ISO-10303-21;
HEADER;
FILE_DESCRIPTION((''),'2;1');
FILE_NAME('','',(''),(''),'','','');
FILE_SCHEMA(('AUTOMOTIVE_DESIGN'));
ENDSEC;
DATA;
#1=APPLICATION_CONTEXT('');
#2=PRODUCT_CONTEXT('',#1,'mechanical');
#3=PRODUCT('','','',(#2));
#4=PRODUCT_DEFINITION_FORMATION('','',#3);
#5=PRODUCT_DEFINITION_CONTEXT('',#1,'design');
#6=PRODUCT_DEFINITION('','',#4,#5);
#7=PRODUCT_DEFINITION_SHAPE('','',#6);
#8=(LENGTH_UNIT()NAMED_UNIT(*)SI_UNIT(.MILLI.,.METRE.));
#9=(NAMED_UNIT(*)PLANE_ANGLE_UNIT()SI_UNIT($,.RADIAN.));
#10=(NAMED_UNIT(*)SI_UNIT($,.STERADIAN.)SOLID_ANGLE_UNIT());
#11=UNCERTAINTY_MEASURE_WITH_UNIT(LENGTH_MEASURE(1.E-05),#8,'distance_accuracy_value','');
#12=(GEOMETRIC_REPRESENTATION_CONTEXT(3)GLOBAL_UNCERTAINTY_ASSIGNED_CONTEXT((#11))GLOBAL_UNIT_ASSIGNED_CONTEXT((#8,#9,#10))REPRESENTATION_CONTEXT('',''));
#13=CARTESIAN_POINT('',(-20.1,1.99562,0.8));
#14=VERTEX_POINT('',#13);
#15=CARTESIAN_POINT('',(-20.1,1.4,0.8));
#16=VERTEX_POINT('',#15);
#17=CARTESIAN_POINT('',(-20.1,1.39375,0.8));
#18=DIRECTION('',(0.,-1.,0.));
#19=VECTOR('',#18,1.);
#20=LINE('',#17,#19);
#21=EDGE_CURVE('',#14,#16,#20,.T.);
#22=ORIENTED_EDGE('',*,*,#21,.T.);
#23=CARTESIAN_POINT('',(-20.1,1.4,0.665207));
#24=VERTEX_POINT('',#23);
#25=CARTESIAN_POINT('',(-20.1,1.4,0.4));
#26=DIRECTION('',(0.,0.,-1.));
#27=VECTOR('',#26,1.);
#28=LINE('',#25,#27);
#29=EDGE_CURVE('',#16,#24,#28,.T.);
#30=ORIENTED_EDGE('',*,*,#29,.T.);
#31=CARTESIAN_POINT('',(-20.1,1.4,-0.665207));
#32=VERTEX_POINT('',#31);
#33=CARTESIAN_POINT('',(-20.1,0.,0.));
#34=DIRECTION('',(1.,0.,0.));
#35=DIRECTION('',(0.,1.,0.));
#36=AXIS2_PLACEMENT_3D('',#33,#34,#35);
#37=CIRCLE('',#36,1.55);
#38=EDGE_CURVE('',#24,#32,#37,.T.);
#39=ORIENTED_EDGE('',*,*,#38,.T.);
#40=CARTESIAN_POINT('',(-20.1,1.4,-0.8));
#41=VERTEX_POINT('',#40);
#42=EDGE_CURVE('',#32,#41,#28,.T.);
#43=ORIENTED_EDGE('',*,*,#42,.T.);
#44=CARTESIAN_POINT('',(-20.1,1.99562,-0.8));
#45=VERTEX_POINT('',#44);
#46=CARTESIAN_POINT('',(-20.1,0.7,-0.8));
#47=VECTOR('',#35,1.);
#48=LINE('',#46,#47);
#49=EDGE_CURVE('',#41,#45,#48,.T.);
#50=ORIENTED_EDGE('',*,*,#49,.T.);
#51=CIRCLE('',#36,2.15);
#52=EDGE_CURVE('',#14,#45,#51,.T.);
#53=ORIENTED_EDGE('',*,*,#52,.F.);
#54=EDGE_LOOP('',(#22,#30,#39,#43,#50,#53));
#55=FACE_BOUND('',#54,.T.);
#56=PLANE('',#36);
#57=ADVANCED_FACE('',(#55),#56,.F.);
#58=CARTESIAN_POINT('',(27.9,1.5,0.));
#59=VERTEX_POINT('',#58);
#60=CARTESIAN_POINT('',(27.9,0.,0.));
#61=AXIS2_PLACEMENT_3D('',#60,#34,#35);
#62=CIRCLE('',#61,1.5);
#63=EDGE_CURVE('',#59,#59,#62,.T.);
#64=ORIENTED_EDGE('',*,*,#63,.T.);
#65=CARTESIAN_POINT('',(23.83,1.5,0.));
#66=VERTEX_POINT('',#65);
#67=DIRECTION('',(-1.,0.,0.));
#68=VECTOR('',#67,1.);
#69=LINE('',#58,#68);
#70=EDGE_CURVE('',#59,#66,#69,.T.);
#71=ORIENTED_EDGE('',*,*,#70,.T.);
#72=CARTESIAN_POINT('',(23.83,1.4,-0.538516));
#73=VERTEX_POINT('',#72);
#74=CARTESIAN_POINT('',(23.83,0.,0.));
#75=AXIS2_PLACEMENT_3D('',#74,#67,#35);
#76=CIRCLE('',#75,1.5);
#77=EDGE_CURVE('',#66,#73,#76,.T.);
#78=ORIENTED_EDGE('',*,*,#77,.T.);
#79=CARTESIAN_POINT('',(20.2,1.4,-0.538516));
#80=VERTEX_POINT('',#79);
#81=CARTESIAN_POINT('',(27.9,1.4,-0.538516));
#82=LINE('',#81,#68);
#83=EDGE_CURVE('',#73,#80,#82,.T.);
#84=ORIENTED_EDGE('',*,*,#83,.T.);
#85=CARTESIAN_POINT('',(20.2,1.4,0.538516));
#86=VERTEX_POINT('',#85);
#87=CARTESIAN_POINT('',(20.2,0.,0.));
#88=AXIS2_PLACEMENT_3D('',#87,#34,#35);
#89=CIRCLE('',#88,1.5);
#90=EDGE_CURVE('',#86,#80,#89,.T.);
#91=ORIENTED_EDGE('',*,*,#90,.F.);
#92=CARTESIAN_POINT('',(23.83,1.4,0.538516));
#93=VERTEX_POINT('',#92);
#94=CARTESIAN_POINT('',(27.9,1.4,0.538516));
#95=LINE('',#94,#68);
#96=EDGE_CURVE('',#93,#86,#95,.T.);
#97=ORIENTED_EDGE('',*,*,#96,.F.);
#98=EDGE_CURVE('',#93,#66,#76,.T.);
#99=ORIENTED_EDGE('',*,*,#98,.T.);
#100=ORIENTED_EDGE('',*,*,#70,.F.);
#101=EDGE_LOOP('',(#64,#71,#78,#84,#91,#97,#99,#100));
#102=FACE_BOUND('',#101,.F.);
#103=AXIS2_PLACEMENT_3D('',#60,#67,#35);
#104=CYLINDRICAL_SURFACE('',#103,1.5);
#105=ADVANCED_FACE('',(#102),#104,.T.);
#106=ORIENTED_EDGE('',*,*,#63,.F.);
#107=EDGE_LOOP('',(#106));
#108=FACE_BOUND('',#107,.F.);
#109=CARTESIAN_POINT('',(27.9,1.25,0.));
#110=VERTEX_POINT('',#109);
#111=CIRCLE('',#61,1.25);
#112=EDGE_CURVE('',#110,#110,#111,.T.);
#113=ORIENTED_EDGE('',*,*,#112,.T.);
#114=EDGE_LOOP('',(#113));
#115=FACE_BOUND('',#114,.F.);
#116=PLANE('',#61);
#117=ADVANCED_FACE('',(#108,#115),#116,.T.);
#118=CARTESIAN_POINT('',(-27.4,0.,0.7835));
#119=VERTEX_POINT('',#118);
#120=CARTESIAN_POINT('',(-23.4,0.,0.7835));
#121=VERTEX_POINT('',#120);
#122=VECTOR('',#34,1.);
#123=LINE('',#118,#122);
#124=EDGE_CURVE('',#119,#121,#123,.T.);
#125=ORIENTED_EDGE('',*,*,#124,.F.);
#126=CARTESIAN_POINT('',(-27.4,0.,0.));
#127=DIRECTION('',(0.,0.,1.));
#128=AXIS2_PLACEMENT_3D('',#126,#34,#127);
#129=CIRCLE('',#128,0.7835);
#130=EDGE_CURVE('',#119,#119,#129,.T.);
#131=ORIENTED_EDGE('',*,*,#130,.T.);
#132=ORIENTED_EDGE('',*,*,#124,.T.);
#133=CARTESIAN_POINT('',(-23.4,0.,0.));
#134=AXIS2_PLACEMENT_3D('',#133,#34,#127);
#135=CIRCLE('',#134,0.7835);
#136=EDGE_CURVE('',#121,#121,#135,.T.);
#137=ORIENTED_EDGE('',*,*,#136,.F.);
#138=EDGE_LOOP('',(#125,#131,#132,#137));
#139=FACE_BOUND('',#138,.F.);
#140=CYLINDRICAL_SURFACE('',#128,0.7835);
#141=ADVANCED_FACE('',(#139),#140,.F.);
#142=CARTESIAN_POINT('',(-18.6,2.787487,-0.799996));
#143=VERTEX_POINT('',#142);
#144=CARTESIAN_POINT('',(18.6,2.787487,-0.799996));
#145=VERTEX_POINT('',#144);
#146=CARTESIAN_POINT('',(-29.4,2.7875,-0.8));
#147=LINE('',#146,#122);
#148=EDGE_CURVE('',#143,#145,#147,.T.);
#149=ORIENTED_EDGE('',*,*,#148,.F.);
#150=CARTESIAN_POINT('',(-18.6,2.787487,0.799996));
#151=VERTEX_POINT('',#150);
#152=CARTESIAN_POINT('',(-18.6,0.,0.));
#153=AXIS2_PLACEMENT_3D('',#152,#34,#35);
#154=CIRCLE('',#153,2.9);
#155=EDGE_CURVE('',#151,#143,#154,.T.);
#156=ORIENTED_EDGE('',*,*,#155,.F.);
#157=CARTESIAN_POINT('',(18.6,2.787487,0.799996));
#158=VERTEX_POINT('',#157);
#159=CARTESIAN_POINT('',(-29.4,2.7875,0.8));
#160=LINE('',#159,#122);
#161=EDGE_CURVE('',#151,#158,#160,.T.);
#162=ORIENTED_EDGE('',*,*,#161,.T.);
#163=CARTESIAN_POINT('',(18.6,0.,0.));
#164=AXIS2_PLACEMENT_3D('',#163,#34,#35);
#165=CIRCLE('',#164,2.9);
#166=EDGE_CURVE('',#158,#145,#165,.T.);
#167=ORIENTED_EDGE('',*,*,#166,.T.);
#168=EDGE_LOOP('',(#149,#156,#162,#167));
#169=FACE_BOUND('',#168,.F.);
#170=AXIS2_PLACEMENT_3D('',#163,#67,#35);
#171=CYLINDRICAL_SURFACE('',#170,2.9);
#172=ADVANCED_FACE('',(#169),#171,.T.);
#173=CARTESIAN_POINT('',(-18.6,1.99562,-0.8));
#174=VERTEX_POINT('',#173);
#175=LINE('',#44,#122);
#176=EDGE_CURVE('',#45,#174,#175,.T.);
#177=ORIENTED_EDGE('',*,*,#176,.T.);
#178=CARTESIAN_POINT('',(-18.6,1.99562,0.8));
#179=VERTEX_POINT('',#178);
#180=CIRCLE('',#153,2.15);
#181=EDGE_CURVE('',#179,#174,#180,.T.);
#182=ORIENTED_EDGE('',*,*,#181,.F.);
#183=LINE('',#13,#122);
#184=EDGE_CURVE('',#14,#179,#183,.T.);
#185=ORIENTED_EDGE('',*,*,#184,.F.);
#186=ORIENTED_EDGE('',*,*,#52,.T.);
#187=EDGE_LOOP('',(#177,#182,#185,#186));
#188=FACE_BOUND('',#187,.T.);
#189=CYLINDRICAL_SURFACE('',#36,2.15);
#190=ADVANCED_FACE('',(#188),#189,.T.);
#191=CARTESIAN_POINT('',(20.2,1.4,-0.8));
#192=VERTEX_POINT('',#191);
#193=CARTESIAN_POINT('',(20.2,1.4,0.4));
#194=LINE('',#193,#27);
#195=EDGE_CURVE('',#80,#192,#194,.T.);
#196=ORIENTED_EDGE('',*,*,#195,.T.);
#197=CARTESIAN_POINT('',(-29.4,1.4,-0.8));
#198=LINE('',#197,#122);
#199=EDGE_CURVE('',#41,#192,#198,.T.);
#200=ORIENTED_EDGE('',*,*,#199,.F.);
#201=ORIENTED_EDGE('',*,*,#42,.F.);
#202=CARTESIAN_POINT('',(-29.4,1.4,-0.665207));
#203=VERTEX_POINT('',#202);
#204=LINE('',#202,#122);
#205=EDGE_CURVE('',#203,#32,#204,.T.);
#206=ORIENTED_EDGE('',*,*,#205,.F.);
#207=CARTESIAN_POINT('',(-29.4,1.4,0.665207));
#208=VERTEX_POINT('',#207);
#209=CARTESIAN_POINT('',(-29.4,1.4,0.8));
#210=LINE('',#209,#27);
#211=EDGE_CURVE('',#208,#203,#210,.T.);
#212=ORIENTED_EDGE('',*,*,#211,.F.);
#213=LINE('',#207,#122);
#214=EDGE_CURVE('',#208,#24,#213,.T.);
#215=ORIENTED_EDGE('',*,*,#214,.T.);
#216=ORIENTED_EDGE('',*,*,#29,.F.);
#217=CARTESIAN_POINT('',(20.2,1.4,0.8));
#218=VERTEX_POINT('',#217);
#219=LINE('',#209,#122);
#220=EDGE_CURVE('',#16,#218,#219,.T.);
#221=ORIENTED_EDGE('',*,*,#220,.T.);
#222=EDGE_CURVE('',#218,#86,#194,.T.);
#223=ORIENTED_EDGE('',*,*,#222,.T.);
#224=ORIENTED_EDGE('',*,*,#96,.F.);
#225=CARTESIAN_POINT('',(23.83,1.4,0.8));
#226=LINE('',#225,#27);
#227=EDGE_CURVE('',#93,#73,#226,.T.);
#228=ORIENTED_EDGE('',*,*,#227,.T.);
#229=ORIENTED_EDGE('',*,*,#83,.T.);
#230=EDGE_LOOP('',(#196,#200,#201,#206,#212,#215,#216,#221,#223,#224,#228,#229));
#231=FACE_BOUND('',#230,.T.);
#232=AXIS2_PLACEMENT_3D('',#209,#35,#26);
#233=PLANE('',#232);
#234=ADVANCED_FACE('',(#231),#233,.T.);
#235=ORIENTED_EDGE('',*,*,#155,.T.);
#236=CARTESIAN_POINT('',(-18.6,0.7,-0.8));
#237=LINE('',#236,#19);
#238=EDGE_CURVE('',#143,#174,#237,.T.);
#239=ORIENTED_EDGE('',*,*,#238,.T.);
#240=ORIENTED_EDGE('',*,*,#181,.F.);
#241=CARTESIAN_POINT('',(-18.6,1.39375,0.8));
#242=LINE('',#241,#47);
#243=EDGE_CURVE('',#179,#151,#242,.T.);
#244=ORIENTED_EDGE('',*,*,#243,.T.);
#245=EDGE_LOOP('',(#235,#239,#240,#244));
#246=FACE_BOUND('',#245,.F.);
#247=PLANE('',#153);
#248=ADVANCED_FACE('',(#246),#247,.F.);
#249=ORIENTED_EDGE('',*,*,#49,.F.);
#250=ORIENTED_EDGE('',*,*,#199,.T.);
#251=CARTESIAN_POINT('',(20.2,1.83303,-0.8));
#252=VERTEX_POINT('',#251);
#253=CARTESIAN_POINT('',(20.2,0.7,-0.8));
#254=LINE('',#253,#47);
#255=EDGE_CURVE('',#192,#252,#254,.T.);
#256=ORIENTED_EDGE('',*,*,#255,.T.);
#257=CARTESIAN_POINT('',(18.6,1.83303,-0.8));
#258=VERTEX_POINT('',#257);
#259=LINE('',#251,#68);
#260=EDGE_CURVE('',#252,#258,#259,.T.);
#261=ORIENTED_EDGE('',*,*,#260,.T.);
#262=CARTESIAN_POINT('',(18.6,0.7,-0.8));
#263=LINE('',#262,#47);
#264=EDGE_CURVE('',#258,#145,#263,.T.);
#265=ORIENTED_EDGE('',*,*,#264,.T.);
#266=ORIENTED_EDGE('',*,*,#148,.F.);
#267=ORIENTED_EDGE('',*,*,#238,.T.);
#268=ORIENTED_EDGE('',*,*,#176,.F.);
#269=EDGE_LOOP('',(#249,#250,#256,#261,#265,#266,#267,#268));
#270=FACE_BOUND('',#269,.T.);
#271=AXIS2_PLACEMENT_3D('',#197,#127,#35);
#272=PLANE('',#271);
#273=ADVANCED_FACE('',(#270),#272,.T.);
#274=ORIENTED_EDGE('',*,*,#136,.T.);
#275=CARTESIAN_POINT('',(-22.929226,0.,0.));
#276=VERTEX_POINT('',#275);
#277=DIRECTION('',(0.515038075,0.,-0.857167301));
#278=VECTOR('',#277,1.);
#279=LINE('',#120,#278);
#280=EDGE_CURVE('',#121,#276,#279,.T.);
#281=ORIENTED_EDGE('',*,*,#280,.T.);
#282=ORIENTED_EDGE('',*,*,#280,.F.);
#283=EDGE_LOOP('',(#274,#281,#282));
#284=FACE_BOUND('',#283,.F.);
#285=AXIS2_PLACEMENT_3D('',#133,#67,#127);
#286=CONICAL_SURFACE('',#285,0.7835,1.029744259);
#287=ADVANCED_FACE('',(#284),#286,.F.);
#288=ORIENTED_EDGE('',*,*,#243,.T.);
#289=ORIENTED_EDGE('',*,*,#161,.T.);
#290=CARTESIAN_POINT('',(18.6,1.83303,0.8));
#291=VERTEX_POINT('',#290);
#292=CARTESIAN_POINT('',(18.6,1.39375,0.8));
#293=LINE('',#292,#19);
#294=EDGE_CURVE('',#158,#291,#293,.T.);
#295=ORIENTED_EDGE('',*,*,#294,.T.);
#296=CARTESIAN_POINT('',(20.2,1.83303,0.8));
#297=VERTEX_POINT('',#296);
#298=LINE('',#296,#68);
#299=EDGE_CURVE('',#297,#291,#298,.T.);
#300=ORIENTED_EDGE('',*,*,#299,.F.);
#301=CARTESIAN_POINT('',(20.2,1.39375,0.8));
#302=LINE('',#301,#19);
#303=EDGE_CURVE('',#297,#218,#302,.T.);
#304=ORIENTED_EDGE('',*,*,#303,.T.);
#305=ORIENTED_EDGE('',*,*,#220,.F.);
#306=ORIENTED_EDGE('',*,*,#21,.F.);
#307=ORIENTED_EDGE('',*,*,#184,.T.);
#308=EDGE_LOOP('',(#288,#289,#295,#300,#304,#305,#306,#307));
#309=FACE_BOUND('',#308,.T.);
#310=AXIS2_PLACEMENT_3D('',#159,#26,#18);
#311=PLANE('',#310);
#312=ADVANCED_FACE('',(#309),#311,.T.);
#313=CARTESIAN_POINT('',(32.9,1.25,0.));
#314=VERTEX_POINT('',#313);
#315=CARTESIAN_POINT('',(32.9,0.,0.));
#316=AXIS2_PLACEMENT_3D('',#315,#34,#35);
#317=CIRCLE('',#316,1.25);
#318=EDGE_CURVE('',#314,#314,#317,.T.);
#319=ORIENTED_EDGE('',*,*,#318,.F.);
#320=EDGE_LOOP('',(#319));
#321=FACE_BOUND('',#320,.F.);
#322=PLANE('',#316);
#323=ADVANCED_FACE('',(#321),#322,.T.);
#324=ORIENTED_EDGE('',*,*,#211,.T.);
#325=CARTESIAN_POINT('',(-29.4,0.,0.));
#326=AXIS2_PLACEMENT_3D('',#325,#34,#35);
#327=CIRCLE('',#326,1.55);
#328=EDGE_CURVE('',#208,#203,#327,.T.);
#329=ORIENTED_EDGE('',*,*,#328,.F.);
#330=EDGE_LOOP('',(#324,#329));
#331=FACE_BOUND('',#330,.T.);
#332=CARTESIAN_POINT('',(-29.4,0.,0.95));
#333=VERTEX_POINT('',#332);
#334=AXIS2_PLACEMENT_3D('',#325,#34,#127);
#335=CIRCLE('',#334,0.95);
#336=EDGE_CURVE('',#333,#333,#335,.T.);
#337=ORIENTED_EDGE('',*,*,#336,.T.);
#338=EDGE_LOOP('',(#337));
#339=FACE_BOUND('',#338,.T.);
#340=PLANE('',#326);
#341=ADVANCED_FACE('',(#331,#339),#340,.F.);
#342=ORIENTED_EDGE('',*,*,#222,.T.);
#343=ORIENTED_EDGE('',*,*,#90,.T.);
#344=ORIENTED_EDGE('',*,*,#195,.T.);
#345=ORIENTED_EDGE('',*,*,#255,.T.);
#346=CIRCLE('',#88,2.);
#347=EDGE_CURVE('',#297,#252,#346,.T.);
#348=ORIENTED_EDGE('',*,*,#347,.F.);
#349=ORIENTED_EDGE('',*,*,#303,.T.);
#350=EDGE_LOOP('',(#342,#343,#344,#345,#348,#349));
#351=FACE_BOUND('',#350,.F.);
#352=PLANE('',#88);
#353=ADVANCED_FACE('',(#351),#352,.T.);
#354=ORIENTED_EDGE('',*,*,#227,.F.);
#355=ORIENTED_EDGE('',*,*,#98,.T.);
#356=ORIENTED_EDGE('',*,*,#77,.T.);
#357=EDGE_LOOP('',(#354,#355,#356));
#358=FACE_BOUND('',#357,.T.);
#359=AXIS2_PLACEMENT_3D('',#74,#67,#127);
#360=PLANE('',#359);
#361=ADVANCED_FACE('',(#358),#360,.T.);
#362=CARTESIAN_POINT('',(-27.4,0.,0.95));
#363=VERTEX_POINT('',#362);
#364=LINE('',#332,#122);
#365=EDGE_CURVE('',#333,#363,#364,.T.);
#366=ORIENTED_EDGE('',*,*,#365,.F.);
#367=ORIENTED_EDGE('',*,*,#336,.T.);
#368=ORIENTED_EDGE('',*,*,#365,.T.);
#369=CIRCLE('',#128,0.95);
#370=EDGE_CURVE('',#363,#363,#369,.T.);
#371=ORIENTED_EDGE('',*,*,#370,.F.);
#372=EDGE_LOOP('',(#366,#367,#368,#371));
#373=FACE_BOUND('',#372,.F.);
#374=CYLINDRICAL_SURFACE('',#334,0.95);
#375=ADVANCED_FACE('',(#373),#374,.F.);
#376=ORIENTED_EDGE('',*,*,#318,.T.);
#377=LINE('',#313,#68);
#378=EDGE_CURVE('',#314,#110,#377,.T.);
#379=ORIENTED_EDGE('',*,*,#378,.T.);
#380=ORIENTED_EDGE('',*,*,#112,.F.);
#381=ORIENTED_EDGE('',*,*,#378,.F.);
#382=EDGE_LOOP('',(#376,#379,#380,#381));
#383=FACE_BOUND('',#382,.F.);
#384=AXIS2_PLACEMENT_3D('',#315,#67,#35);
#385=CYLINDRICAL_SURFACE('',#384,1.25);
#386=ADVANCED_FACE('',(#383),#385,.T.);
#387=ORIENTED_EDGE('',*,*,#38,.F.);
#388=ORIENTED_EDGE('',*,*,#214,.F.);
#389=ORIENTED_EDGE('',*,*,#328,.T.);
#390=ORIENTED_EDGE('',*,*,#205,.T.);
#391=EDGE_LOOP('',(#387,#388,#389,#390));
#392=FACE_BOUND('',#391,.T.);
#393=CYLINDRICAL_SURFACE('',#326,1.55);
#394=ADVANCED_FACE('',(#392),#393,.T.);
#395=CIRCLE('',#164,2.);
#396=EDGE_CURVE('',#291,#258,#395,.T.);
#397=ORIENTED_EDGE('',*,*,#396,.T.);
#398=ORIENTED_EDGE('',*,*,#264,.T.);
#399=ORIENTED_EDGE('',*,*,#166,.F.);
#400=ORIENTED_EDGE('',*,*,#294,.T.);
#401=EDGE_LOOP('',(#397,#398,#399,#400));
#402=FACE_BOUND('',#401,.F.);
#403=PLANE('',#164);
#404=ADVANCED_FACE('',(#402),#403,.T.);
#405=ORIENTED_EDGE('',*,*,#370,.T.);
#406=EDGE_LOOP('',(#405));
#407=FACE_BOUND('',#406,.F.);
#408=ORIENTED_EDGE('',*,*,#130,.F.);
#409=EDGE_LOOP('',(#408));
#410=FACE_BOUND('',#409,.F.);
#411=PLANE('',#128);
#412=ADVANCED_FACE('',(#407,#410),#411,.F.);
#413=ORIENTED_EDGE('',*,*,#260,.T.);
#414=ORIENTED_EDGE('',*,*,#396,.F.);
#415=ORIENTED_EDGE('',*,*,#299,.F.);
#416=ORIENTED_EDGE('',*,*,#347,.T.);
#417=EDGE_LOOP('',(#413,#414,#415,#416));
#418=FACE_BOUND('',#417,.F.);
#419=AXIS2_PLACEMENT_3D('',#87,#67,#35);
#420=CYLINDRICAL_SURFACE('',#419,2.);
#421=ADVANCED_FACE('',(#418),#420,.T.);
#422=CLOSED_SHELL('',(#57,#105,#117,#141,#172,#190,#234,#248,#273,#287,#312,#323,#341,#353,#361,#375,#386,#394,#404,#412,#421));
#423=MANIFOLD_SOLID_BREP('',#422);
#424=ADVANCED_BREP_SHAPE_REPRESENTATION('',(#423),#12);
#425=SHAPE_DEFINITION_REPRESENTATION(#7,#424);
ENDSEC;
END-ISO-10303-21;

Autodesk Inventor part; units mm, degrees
ref_plane "YZ Plane" through (0, 0, 0) normal (1, 0, 0) x (0, 1, 0)
ref_plane "XZ Plane" through (0, 0, 0) normal (0, 1, 0) x (-1, 0, 0)
ref_plane "XY Plane" through (0, 0, 0) normal (0, 0, 1) x (1, 0, 0)
sketch "Sketch1" plane through (0, 0, 0) normal (0, 0, 1) x (1, 0, 0)
  line L0 (-18.6, 0) -> (18.6, 0)
  line L1 (18.6, 0) -> (18.6, 2.9)
  line L2 (18.6, 2.9) -> (-18.6, 2.9)
  line L3 (-18.6, 2.9) -> (-18.6, 0)
  line L4 (-18.6, 0) -> (-20.1, 0)
  line L5 (-20.1, 0) -> (-20.1, 2.15)
  line L6 (-20.1, 2.15) -> (-18.6, 2.15)
  line L7 (-18.6, 2.15) -> (-18.6, 0)
  line L8 (-20.1, 0) -> (-29.4, 0)
  line L9 (-29.4, 0) -> (-29.4, 1.55)
  line L10 (-29.4, 1.55) -> (-20.1, 1.55)
  line L11 (-20.1, 1.55) -> (-20.1, 0)
  line L12 (18.6, 0) -> (20.2, 0)
  line L13 (20.2, 0) -> (20.2, 2)
  line L14 (20.2, 2) -> (18.6, 2)
  line L15 (18.6, 2) -> (18.6, 0)
  line L16 (20.2, 0) -> (27.9, 0)
  line L17 (27.9, 0) -> (27.9, 1.5)
  line L18 (27.9, 1.5) -> (20.2, 1.5)
  line L19 (20.2, 1.5) -> (20.2, 0)
  line L20 (27.9, 0) -> (32.9, 0)
  line L21 (32.9, 0) -> (32.9, 1.25)
  line L22 (32.9, 1.25) -> (27.9, 1.25)
  line L23 (27.9, 1.25) -> (27.9, 0)
  point P0 (0, 0)
  point P1 (0, 0)
  dimension "d0" = 9.3
  dimension "d1" = 10.8
  dimension "d2" = 48
  dimension "d3" = 3.1
  dimension "d4" = 4.3
  dimension "d5" = 5.8
  dimension "d6" = 3
  dimension "d7" = 49.6
  dimension "d26" = 2.5
  dimension "d27" = 5
  dimension "d28" = 62.3
  dimension "d29" = 4
revolve "Revolution1" add sketch "Sketch1" angle 360 about axis through (-18.6, 0, 0) along (1, 0, 0)
thread "Thread1" size "M2.5x0.45" class "6g" standard "ANSI Metric M Profile" length 5
hole "Hole1" at (-29.4, 0, 0) direction (1, 0, 0) diameter 1.567 depth 6 tip angle 118 counterbore diameter 1.9 counterbore depth 2 thread size "M2x0.4" class "6H" standard "ANSI Metric M Profile"
sketch "Sketch2" plane through (-29.4, 0, 0) normal (-1, 0, 0) x (0, 0, 1)
  circle A0 centre (0, 0) radius 2.9 projected
  line L0 (-0.8, 2.7875) -> (0.8, 2.7875)
  line L1 (0.8, 2.7875) -> (0.8, 1.4)
  line L2 (0.8, 1.4) -> (-0.8, 1.4)
  line L3 (-0.8, 1.4) -> (-0.8, 2.7875)
  dimension "d22" = 1.6
  dimension "d25" = 4.3
extrude "Extrusion1" cut sketch "Sketch2" against normal blind 53.23 contours L0 A0 | L1 L2 L3 L0
properties part number "401-01" material "Aluminum-6061"
